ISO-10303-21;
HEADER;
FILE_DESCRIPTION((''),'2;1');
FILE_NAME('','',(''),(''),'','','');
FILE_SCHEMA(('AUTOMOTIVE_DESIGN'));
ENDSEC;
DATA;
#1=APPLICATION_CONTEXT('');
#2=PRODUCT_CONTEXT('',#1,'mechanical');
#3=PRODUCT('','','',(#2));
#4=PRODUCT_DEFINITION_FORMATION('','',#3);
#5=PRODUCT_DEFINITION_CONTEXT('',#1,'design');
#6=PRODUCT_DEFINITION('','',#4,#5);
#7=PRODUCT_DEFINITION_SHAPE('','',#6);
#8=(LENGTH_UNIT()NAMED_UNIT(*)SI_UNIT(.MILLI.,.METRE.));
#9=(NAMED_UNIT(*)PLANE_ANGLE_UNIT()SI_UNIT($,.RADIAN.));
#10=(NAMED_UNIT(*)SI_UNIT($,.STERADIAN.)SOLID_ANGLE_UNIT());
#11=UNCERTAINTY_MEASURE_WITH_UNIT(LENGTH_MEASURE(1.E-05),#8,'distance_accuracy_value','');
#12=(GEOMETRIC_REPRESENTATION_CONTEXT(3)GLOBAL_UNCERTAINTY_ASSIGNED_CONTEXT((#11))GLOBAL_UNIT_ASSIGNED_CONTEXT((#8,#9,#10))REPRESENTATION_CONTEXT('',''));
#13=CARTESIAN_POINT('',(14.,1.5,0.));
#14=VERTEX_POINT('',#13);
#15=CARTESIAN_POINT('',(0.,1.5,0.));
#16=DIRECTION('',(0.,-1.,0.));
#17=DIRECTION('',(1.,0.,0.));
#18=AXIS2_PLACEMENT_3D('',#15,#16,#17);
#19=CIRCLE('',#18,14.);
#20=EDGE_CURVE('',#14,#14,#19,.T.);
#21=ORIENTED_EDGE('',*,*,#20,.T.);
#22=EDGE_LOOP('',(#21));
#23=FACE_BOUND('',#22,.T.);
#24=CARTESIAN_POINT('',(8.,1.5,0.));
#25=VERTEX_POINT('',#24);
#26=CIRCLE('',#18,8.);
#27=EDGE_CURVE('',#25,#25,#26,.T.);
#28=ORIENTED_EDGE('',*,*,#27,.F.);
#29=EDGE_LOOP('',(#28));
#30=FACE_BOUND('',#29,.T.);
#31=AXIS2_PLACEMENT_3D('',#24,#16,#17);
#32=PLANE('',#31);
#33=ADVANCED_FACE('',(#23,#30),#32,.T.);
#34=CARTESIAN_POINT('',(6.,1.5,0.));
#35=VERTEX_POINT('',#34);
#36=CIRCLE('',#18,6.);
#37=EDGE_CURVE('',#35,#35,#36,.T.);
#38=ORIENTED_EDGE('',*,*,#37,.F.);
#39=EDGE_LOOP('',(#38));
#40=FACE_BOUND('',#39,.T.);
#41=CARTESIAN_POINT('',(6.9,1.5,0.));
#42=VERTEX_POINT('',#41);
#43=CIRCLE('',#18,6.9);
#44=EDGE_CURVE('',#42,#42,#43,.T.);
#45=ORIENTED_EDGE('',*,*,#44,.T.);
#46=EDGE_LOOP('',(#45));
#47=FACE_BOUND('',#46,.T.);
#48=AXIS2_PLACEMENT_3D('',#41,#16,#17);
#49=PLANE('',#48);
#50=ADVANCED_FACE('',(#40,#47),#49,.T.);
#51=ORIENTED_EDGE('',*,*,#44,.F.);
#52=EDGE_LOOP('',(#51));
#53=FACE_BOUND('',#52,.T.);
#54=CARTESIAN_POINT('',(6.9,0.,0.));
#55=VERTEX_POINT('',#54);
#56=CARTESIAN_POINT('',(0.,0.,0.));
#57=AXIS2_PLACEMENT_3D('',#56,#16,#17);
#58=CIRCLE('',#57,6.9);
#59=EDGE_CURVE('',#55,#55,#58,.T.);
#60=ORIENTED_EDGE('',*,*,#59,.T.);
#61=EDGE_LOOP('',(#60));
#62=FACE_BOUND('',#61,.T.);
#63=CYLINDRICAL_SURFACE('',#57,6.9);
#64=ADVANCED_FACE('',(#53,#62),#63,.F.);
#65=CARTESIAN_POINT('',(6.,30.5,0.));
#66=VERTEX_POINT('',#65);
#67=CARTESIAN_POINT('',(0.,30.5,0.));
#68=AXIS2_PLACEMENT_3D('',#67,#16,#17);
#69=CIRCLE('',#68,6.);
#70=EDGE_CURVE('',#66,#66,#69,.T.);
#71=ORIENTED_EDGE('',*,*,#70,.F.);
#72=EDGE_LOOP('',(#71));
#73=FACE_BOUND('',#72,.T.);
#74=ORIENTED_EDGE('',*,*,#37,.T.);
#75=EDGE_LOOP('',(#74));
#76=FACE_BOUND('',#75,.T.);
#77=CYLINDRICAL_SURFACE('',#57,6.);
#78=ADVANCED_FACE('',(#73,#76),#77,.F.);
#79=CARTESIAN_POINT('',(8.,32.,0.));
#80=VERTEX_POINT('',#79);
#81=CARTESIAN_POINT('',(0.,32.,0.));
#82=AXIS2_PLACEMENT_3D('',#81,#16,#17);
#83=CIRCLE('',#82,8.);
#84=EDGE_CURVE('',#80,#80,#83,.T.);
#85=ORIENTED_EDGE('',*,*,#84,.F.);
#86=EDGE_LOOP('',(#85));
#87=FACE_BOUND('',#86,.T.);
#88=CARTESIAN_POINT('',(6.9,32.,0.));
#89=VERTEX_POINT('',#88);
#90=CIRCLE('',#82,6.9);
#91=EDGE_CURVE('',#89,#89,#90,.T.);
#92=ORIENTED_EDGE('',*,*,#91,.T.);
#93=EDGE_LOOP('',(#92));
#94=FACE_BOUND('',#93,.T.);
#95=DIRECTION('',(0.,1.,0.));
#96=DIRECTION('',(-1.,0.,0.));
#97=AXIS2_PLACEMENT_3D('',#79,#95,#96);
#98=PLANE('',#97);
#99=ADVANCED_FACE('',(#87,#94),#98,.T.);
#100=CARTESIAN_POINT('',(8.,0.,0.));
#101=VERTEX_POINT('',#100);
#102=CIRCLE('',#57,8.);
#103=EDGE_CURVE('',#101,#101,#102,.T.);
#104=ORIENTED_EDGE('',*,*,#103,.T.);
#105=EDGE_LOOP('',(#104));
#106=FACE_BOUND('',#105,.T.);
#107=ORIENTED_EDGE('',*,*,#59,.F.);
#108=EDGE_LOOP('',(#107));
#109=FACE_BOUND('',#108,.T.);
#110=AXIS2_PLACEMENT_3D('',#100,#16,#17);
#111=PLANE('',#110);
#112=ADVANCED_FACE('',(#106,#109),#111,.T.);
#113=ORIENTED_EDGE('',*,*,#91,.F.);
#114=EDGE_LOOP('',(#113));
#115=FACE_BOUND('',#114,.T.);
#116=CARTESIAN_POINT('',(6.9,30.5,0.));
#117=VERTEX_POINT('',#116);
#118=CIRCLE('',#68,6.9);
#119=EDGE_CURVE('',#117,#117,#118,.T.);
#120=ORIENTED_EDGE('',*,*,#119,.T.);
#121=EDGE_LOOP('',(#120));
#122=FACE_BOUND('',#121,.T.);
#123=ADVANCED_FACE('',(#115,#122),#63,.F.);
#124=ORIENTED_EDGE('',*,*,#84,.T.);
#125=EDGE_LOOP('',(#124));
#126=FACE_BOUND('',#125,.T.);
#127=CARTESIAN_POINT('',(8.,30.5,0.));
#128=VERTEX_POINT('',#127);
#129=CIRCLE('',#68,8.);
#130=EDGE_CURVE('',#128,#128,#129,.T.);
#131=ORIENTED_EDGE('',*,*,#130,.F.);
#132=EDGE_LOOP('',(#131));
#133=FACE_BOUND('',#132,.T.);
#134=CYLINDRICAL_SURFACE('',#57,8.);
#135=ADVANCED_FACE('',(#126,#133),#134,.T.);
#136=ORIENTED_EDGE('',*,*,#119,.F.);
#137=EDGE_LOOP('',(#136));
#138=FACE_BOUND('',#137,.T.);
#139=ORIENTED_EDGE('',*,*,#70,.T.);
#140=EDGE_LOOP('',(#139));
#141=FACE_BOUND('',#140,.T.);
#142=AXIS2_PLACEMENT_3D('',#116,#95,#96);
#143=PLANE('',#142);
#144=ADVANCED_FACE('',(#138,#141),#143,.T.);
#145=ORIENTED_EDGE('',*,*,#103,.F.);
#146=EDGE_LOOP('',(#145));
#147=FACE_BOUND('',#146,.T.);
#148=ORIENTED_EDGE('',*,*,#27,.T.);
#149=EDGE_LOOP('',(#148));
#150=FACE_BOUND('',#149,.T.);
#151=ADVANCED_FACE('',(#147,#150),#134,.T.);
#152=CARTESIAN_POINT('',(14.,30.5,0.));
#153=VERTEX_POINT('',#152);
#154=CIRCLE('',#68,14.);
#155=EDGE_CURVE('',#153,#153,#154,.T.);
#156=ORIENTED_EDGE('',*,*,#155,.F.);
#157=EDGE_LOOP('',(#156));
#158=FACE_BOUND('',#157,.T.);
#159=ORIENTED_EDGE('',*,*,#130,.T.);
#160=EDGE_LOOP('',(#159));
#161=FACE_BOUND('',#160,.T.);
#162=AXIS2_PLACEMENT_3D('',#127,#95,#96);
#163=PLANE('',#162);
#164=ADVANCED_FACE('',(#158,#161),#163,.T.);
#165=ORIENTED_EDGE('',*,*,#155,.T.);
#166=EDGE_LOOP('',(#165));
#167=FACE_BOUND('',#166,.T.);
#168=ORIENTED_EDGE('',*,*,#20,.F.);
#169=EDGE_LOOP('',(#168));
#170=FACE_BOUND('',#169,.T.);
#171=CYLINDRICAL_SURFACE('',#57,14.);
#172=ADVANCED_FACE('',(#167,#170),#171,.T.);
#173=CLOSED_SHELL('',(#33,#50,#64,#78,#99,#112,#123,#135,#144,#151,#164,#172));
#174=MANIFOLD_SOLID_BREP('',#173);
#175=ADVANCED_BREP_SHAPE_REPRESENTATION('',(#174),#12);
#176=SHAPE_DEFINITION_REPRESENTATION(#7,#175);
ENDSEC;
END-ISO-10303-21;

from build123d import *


with BuildPart() as part:
    # Esquisse1 → Révolution1 (revolve)
    with BuildSketch(Plane.XY):
        Polygon((8, 0), (8, 1.5), (14, 1.5), (14, 30.5), (8, 30.5), (8, 32), (6.9, 32), (6.9, 30.5), (6, 30.5), (6, 1.5), (6.9, 1.5), (6.9, 0), align=None)
    revolve(axis=Axis((0, 0, 0), (0, 1, 0)))


solid = part.part
